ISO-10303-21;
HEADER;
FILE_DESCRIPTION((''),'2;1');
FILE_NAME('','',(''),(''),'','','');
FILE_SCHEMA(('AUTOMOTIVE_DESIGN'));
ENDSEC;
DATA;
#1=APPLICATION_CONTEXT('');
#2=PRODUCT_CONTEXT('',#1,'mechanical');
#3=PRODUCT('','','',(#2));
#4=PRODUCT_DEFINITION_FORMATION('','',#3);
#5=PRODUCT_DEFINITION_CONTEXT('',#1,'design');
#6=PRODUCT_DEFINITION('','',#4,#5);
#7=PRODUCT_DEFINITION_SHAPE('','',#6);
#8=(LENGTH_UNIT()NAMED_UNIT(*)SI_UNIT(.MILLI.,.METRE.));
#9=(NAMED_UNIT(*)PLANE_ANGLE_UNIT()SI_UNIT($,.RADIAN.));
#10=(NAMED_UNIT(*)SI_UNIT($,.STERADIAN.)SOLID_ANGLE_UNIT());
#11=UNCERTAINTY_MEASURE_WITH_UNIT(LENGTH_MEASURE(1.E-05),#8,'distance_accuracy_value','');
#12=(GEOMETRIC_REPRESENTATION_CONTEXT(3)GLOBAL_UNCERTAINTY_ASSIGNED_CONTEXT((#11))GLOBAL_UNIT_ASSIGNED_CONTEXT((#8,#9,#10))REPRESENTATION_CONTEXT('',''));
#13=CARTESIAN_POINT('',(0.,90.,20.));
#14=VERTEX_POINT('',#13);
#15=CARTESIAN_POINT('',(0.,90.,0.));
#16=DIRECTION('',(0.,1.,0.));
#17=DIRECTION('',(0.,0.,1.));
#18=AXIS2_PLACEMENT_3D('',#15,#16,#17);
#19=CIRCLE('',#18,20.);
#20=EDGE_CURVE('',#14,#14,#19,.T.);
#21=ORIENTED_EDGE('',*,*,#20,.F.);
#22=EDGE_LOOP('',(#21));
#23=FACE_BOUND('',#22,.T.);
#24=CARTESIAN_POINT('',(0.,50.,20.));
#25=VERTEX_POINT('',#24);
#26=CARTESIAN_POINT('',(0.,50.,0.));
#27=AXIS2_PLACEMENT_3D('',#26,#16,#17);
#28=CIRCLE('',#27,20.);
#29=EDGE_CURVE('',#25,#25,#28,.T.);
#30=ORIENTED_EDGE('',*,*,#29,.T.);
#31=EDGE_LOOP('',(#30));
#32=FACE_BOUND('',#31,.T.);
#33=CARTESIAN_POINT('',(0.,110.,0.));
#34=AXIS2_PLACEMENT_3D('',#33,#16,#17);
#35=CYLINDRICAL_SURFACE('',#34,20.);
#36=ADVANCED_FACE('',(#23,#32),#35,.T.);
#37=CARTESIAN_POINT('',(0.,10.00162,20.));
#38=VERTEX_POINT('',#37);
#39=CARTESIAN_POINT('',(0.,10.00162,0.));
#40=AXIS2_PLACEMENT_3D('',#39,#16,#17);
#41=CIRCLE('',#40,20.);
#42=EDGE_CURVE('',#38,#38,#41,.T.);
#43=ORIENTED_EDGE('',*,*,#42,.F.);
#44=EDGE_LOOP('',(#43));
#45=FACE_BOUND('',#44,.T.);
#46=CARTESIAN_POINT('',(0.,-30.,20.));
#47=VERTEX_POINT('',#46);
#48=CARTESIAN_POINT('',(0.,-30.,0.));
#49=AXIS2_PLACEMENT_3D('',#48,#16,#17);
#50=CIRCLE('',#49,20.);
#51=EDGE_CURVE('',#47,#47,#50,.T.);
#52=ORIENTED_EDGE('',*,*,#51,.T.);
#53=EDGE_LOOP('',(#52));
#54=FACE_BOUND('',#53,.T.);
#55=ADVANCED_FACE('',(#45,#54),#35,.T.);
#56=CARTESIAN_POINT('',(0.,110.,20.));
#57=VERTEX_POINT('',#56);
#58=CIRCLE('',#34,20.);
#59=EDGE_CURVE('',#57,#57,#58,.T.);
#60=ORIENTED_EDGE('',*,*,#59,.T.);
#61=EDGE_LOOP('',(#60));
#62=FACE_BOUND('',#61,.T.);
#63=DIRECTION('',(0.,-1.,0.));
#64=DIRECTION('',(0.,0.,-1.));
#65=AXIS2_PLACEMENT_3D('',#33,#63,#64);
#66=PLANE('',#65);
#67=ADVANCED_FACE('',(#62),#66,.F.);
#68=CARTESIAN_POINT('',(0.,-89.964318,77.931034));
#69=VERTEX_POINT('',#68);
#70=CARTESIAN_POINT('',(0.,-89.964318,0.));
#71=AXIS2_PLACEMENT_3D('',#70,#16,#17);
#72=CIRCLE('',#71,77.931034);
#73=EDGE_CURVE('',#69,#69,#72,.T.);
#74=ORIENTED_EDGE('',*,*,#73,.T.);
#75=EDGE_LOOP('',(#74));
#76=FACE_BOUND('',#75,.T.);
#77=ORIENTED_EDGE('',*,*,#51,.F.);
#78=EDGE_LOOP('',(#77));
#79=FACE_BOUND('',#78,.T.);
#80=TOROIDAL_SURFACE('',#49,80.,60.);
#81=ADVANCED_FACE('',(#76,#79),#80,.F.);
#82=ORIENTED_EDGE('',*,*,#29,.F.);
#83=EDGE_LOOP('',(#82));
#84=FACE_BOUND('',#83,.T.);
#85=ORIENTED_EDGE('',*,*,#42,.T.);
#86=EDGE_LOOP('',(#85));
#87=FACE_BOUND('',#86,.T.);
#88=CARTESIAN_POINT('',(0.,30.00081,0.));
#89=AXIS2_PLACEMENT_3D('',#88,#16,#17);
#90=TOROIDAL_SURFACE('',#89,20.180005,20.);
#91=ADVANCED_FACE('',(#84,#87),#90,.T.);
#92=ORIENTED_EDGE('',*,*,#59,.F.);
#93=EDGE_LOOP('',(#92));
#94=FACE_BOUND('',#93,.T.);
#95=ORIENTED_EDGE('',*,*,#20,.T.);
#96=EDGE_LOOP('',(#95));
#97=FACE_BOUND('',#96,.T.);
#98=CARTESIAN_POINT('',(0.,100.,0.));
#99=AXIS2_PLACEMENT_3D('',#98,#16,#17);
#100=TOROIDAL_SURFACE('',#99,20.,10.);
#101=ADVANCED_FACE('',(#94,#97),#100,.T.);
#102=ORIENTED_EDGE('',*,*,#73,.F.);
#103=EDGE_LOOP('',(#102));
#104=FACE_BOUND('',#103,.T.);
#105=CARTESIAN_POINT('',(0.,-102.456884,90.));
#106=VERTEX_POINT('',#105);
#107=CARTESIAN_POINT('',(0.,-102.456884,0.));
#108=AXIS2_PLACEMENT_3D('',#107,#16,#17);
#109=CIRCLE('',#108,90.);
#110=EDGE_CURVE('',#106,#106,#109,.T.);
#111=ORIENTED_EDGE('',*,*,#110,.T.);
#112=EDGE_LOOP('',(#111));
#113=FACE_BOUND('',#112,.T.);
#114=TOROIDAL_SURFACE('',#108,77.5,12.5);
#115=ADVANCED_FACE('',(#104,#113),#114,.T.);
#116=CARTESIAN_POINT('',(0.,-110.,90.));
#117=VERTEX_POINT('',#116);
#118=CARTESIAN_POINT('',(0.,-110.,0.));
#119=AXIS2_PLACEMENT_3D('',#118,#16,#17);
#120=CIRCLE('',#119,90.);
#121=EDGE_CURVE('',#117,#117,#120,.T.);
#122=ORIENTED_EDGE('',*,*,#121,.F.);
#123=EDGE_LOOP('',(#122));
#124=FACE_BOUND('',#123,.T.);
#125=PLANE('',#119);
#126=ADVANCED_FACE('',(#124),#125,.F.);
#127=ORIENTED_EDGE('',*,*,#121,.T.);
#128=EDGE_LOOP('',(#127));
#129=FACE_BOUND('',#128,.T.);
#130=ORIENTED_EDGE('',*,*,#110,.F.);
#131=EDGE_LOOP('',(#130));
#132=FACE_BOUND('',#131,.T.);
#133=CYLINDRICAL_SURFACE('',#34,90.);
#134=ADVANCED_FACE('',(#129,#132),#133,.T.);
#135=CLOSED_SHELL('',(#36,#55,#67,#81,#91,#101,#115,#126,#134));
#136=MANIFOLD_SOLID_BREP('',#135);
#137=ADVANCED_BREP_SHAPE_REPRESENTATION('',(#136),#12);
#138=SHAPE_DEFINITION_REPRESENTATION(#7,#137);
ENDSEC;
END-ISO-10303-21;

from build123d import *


with BuildPart() as part:
    # Sketch2 → Revolve1 (revolve)
    with BuildSketch(Plane.XY, mode=Mode.PRIVATE) as revolve1_sk:
        with BuildLine():
            Line((0, 110), (0, -110))
            Line((0, -110), (90, -110))
            Line((90, -110), (90, -102.456883731))
            ThreePointArc((90, -102.456883731), (86.489936903, -93.771779559), (77.931034483, -89.96431757))
            ThreePointArc((77.931034483, -89.96431757), (36.848302866, -71.688500027), (20, -30))
            Line((20, -30), (20, 10.00162012))
            ThreePointArc((20, 10.00162012), (40.180004853, 30.00081006), (20, 50))
            Line((20, 50), (20, 90))
            ThreePointArc((20, 90), (30, 100), (20, 110))
            Line((20, 110), (0, 110))
        make_face()
    revolve(revolve1_sk.sketch.rotate(Axis((0, 110, 0), (0, -1, 0)), 90), axis=Axis((0, 110, 0), (0, -1, 0)))


solid = part.part
